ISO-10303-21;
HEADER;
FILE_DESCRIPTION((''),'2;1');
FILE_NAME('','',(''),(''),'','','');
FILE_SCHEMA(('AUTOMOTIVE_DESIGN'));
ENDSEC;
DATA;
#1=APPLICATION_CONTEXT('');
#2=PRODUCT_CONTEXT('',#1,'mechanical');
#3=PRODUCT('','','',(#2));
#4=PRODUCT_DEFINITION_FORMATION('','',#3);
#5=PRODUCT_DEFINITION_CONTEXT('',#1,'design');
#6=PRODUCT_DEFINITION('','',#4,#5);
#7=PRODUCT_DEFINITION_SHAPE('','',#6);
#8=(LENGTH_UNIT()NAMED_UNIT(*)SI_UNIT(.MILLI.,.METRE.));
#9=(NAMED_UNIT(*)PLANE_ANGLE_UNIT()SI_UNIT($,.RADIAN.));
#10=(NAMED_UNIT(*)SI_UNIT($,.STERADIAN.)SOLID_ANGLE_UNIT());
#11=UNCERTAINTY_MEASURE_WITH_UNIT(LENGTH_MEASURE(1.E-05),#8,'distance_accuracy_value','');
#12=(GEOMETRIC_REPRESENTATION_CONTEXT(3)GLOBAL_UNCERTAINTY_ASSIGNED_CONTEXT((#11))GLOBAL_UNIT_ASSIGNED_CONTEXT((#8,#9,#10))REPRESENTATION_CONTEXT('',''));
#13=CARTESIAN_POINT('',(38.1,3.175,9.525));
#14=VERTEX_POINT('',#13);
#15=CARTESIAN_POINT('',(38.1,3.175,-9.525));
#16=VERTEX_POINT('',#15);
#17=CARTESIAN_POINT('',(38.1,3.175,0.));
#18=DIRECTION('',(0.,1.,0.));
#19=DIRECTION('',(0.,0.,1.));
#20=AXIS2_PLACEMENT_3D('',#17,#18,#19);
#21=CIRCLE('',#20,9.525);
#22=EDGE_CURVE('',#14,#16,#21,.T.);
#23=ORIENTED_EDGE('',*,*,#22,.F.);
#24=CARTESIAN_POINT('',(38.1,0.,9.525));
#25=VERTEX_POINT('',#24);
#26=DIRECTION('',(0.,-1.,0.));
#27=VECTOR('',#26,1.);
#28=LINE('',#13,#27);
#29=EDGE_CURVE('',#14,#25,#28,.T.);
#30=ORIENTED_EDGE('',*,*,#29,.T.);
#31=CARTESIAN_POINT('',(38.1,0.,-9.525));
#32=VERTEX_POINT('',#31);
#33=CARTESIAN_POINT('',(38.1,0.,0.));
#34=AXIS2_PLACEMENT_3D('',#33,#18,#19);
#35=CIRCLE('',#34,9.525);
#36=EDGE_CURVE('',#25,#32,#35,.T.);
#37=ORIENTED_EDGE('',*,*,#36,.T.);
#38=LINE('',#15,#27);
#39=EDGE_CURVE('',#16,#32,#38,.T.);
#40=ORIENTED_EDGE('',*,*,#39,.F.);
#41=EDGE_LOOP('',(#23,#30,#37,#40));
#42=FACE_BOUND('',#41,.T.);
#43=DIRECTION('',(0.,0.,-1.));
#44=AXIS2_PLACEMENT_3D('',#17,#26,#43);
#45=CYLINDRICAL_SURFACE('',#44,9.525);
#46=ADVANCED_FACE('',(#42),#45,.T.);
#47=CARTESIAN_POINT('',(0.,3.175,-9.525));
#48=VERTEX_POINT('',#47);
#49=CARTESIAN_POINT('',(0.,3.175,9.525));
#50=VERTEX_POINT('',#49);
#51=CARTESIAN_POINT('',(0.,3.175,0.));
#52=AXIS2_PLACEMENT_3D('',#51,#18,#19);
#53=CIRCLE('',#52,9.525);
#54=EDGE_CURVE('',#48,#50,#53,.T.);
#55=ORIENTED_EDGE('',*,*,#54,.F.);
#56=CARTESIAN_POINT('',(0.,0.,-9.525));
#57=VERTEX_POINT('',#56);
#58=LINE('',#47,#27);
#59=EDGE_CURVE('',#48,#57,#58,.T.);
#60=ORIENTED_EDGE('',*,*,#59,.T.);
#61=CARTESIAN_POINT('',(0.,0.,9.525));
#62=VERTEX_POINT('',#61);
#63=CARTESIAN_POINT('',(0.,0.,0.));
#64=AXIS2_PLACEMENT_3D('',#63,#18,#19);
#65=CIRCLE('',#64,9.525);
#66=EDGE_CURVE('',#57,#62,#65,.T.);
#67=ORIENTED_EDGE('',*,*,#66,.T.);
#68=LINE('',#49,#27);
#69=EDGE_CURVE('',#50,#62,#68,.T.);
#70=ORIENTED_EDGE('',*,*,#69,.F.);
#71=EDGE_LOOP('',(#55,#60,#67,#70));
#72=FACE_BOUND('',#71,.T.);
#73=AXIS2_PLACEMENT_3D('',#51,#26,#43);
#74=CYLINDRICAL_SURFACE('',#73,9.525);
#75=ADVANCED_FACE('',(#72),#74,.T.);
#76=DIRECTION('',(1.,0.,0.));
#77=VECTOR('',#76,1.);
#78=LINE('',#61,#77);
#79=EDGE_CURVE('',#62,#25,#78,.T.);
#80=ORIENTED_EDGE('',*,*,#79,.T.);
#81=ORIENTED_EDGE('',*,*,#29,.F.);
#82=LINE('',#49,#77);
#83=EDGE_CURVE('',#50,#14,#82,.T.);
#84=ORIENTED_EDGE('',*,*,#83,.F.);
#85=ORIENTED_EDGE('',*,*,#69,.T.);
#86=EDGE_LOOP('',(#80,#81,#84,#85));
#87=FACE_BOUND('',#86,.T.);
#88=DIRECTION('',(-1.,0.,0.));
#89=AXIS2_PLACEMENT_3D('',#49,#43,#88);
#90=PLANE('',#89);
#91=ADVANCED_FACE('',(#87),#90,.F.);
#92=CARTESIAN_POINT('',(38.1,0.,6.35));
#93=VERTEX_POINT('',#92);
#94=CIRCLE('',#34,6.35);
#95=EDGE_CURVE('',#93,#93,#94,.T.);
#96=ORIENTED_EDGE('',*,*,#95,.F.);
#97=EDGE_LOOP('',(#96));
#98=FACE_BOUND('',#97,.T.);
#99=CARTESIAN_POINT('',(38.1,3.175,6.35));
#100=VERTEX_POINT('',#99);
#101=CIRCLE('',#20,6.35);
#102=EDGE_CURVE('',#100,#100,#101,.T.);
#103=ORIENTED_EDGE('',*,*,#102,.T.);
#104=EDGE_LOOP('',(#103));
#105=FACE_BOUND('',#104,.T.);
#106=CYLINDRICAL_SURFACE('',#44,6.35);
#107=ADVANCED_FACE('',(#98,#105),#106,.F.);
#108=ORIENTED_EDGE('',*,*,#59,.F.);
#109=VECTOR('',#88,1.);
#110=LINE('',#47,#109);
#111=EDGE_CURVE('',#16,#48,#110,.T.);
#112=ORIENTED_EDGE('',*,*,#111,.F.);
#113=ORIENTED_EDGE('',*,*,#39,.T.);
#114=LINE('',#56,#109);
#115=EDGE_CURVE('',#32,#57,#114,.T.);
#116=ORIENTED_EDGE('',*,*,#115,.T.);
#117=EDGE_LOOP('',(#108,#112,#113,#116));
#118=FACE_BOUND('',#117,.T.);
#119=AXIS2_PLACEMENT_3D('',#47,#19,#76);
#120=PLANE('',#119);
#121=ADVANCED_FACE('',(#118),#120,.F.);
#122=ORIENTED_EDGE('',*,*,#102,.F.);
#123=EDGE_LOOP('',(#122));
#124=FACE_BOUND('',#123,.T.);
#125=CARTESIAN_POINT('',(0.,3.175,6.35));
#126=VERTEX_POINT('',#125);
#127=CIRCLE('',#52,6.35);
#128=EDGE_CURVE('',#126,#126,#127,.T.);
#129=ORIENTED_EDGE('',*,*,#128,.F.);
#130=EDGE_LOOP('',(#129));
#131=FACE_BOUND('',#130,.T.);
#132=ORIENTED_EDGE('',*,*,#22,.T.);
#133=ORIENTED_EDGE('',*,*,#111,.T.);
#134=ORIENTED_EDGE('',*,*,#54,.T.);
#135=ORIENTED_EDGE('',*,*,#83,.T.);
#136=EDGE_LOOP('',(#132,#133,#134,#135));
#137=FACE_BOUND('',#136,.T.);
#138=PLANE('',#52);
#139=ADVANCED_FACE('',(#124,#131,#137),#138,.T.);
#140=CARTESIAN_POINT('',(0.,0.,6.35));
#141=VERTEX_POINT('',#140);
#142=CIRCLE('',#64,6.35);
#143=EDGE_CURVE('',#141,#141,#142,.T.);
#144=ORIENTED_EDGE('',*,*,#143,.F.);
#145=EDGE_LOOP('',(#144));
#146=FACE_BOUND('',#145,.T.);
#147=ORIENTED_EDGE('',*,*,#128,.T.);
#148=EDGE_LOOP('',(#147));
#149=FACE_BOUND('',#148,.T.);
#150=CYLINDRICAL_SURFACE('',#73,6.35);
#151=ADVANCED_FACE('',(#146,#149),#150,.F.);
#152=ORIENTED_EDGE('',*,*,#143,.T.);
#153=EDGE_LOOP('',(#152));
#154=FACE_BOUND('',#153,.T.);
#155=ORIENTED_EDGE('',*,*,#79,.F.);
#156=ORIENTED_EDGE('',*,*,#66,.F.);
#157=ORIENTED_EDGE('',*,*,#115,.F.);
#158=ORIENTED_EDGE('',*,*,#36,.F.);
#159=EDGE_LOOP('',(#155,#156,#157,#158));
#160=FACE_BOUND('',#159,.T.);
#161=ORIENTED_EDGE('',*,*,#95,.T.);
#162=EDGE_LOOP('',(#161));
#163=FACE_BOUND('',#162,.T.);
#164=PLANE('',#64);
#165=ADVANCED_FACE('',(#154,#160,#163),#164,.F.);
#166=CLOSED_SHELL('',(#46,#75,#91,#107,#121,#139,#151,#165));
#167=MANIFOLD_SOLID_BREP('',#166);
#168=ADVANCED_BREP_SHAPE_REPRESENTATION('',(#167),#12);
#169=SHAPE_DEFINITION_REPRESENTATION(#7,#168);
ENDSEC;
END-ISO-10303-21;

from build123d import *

# Parameters (mm, degrees)
SKETCH2_R           = 6.35
BOSS_EXTRUDE1_DEPTH = 3.175


with BuildPart() as part:
    # Sketch2 → Boss-Extrude1 (new body)
    with BuildSketch(Plane(origin=(0, 0, 0), x_dir=(1, 0, 0), z_dir=(0, 1, 0))):
        with BuildLine():
            Line((0, 9.525), (38.1, 9.525))
            ThreePointArc((38.1, 9.525), (47.625, 0), (38.1, -9.525))
            Line((38.1, -9.525), (0, -9.525))
            ThreePointArc((0, -9.525), (-9.525, 0), (0, 9.525))
        make_face()
        with Locations(Location((0, 0, 0), (0, 0, 270))):
            Circle(SKETCH2_R, mode=Mode.SUBTRACT)
        with Locations(Location((38.1, 0, 0), (0, 0, 270))):
            Circle(SKETCH2_R, mode=Mode.SUBTRACT)
    extrude(amount=BOSS_EXTRUDE1_DEPTH)


solid = part.part
